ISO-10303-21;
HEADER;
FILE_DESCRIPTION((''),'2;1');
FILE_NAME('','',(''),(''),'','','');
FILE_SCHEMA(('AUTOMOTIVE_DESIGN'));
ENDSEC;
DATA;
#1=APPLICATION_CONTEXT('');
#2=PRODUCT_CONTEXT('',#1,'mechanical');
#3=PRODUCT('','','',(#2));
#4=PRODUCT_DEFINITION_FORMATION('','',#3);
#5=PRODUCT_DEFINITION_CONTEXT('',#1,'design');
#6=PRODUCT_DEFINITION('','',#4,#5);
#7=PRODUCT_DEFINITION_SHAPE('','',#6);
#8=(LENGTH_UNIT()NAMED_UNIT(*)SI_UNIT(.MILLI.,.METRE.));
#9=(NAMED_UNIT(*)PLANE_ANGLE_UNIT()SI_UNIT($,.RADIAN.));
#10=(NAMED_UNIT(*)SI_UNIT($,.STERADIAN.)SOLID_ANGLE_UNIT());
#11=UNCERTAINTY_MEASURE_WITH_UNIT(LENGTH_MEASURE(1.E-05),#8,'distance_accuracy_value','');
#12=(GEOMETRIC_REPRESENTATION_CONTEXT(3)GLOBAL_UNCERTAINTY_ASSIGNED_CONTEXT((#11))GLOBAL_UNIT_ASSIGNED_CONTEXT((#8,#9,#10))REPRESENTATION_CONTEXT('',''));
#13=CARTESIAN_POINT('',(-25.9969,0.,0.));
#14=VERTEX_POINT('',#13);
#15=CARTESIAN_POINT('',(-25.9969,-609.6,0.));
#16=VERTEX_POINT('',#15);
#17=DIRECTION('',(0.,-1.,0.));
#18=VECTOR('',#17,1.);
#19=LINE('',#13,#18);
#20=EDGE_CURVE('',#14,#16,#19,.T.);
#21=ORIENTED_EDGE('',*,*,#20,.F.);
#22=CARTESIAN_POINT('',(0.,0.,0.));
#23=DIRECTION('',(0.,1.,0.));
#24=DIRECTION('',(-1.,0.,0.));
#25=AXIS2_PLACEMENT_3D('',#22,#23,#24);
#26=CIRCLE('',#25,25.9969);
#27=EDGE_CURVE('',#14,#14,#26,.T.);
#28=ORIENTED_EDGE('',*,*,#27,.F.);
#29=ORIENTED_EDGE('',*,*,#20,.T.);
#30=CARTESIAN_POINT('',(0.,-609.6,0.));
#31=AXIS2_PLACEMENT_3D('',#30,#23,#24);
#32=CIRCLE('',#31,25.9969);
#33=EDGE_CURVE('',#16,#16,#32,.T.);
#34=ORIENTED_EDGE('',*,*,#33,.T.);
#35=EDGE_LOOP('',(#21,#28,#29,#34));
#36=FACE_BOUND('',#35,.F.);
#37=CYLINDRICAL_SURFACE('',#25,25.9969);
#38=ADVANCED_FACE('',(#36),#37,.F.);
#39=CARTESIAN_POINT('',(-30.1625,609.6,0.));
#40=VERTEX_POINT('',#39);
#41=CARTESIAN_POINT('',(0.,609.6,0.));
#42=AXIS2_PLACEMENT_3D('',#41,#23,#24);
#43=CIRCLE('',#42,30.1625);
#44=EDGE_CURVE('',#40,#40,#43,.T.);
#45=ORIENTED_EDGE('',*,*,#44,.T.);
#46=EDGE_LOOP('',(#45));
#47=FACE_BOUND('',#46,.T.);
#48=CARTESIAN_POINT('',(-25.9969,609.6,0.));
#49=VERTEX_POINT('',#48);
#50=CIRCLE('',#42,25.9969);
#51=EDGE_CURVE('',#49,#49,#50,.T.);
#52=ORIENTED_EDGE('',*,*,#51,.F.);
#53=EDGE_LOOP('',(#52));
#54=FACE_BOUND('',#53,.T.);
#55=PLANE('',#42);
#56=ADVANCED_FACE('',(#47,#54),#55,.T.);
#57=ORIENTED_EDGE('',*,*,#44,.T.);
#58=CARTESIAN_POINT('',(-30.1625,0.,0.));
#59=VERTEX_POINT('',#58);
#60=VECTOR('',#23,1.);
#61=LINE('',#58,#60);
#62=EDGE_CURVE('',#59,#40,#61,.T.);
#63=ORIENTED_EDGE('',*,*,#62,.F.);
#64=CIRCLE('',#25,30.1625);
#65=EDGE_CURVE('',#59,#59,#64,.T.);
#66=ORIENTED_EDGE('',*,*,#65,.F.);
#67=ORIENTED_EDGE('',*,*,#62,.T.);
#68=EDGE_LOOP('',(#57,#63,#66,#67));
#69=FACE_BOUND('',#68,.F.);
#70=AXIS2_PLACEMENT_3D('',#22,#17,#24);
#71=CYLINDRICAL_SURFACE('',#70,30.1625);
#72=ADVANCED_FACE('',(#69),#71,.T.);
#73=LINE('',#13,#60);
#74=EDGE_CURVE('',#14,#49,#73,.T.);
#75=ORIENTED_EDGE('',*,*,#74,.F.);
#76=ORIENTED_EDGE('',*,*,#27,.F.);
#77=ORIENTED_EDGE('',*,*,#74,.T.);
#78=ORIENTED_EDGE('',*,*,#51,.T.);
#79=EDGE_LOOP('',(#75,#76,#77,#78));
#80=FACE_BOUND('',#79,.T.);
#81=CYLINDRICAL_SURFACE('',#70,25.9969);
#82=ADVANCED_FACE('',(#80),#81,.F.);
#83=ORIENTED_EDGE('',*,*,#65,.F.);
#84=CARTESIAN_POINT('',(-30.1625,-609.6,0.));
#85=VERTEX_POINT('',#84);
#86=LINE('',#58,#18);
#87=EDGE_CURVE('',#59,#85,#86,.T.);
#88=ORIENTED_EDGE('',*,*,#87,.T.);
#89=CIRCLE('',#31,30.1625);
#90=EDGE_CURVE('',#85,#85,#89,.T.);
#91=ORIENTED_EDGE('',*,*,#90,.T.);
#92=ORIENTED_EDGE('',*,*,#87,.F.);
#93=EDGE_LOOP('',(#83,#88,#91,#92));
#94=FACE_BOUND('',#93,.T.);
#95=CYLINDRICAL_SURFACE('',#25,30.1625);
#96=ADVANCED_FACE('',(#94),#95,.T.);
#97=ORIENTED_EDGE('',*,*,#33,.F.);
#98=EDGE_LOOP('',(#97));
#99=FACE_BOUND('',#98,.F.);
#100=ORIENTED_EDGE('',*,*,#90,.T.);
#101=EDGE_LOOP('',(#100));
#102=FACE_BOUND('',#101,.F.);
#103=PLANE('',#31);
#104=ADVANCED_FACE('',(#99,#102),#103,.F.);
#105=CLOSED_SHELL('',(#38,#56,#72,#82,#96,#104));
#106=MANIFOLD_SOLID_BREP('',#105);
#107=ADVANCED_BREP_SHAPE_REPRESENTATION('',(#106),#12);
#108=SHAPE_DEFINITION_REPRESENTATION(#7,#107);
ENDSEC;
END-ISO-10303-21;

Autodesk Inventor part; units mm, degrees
ref_plane "YZ Plane" through (0, 0, 0) normal (1, 0, 0) x (0, 1, 0)
ref_plane "XZ Plane" through (0, 0, 0) normal (0, 1, 0) x (-1, 0, 0)
ref_plane "XY Plane" through (0, 0, 0) normal (0, 0, 1) x (1, 0, 0)
sketch "Sketch1" plane through (0, 0, 0) normal (0, 1, 0) x (-1, 0, 0)
  circle A0 centre (0, 0) radius 30.1625
  circle A1 centre (0, 0) radius 25.9969
  dimension "d0" = 60.325
  dimension "d1" = 51.9938
extrude "Extrusion1" add sketch "Sketch1" along normal mid plane 1219.2
properties part number "longRail" material "ABS Plastic"
